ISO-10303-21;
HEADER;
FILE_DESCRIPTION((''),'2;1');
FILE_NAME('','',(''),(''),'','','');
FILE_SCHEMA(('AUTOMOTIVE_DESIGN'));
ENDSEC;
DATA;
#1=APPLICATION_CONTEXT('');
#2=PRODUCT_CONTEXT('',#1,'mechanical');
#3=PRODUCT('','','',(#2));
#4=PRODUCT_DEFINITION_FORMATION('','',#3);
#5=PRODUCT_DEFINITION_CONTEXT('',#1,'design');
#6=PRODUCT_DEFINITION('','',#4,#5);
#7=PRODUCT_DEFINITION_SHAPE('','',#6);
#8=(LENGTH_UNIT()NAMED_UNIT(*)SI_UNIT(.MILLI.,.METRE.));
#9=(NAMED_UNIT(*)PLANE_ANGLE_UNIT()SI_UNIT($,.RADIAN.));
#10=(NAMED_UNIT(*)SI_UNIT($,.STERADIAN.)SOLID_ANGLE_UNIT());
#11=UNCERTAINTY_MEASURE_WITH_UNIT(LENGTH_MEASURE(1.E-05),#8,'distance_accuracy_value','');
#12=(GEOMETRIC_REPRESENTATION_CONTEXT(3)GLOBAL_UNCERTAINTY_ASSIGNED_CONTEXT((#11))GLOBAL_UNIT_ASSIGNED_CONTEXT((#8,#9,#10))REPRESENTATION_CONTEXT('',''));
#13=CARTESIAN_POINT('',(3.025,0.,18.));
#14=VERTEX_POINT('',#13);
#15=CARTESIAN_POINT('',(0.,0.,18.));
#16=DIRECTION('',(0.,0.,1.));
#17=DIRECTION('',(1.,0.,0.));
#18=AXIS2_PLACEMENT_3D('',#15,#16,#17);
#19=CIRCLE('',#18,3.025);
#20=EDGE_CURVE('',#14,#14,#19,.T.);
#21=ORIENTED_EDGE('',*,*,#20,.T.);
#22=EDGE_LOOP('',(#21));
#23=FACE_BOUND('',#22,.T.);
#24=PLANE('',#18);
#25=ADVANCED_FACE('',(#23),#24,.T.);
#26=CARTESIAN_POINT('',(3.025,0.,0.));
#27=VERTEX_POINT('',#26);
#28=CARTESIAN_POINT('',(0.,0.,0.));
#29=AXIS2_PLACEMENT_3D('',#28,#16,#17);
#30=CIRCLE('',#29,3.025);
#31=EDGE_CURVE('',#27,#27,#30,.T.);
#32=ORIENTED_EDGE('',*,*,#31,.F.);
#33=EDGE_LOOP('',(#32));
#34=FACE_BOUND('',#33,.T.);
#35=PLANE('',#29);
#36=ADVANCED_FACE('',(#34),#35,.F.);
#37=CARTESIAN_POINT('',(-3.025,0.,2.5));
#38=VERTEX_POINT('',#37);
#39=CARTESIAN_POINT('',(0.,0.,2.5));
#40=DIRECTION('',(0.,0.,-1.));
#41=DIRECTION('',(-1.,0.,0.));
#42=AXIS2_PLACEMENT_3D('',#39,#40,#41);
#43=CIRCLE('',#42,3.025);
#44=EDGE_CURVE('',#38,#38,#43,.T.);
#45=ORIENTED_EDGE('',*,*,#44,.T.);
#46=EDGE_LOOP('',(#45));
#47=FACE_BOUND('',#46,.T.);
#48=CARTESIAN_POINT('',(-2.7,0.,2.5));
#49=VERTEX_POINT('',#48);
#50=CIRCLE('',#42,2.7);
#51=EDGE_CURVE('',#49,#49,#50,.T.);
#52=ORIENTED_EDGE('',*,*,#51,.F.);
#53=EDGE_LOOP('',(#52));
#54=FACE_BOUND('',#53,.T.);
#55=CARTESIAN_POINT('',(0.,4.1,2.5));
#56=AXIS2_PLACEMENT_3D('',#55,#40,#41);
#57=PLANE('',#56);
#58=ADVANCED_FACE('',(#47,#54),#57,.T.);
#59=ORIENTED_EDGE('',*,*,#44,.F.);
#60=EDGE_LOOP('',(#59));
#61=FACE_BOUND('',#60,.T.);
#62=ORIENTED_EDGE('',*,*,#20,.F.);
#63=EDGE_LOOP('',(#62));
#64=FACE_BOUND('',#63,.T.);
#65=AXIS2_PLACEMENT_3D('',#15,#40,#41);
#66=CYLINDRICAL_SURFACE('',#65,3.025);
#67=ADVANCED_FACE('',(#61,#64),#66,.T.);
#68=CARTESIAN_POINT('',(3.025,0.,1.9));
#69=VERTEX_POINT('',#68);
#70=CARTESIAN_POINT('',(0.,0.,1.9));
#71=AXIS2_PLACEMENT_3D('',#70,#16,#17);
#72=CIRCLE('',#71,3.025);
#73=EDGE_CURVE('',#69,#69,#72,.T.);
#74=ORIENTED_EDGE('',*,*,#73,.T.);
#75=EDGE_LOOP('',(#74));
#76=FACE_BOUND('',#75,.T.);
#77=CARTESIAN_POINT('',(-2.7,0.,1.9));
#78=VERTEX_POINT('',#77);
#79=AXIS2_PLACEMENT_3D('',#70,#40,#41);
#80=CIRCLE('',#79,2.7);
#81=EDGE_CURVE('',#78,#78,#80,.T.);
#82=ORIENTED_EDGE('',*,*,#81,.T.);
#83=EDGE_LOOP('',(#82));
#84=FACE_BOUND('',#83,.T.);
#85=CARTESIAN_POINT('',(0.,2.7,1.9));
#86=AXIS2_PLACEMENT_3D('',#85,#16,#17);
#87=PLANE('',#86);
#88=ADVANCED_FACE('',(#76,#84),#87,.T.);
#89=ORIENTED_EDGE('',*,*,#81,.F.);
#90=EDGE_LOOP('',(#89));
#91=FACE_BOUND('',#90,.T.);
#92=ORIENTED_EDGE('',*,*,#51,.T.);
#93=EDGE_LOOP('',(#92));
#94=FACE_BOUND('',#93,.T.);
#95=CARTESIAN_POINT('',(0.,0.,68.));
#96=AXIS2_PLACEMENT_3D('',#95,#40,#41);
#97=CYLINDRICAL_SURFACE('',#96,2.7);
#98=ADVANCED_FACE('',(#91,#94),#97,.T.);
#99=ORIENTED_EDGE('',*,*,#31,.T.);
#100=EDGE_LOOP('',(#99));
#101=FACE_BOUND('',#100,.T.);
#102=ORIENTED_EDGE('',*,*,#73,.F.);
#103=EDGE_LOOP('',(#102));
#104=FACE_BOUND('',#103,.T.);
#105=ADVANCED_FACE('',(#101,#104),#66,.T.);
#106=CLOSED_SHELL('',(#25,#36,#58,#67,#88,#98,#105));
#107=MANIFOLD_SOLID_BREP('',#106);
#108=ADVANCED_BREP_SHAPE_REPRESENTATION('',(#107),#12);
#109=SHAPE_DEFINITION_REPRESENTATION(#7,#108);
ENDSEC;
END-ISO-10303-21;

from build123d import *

# Parameters (mm, degrees)
SKETCH1_R           = 3.025
BOSS_EXTRUDE1_DEPTH = 18


with BuildPart() as part:
    # Sketch1 → Boss-Extrude1 (new body)
    with BuildSketch(Plane.XY):
        Circle(SKETCH1_R)
    extrude(amount=BOSS_EXTRUDE1_DEPTH)

    # Sketch3 → Groove for ANSI B27.7 - 3BM1-8, Basic Internal Retaining Ring1 (revolve, cut)
    with BuildSketch(Plane(origin=(0, 0, 18), x_dir=(0, 1, 0), z_dir=(-1, 0, 0)), mode=Mode.PRIVATE) as groove_for_ansi_b27_7_3bm1_8_basic_in_sk:
        with BuildLine():
            Line((4.1, 15.5), (2.7, 15.5))
            Line((2.7, 15.5), (2.7, 16.1))
            Line((2.7, 16.1), (4.1, 16.1))
            ThreePointArc((4.1, 16.1), (4.170710678, 16.070710678), (4.2, 16))
            Line((4.2, 16), (4.2, 15.6))
            ThreePointArc((4.2, 15.6), (4.170710678, 15.529289322), (4.1, 15.5))
        make_face()
    revolve(groove_for_ansi_b27_7_3bm1_8_basic_in_sk.sketch.rotate(Axis((0, 0, 68), (0, 0, -1)), 270), axis=Axis((0, 0, 68), (0, 0, -1)), mode=Mode.SUBTRACT)


solid = part.part
